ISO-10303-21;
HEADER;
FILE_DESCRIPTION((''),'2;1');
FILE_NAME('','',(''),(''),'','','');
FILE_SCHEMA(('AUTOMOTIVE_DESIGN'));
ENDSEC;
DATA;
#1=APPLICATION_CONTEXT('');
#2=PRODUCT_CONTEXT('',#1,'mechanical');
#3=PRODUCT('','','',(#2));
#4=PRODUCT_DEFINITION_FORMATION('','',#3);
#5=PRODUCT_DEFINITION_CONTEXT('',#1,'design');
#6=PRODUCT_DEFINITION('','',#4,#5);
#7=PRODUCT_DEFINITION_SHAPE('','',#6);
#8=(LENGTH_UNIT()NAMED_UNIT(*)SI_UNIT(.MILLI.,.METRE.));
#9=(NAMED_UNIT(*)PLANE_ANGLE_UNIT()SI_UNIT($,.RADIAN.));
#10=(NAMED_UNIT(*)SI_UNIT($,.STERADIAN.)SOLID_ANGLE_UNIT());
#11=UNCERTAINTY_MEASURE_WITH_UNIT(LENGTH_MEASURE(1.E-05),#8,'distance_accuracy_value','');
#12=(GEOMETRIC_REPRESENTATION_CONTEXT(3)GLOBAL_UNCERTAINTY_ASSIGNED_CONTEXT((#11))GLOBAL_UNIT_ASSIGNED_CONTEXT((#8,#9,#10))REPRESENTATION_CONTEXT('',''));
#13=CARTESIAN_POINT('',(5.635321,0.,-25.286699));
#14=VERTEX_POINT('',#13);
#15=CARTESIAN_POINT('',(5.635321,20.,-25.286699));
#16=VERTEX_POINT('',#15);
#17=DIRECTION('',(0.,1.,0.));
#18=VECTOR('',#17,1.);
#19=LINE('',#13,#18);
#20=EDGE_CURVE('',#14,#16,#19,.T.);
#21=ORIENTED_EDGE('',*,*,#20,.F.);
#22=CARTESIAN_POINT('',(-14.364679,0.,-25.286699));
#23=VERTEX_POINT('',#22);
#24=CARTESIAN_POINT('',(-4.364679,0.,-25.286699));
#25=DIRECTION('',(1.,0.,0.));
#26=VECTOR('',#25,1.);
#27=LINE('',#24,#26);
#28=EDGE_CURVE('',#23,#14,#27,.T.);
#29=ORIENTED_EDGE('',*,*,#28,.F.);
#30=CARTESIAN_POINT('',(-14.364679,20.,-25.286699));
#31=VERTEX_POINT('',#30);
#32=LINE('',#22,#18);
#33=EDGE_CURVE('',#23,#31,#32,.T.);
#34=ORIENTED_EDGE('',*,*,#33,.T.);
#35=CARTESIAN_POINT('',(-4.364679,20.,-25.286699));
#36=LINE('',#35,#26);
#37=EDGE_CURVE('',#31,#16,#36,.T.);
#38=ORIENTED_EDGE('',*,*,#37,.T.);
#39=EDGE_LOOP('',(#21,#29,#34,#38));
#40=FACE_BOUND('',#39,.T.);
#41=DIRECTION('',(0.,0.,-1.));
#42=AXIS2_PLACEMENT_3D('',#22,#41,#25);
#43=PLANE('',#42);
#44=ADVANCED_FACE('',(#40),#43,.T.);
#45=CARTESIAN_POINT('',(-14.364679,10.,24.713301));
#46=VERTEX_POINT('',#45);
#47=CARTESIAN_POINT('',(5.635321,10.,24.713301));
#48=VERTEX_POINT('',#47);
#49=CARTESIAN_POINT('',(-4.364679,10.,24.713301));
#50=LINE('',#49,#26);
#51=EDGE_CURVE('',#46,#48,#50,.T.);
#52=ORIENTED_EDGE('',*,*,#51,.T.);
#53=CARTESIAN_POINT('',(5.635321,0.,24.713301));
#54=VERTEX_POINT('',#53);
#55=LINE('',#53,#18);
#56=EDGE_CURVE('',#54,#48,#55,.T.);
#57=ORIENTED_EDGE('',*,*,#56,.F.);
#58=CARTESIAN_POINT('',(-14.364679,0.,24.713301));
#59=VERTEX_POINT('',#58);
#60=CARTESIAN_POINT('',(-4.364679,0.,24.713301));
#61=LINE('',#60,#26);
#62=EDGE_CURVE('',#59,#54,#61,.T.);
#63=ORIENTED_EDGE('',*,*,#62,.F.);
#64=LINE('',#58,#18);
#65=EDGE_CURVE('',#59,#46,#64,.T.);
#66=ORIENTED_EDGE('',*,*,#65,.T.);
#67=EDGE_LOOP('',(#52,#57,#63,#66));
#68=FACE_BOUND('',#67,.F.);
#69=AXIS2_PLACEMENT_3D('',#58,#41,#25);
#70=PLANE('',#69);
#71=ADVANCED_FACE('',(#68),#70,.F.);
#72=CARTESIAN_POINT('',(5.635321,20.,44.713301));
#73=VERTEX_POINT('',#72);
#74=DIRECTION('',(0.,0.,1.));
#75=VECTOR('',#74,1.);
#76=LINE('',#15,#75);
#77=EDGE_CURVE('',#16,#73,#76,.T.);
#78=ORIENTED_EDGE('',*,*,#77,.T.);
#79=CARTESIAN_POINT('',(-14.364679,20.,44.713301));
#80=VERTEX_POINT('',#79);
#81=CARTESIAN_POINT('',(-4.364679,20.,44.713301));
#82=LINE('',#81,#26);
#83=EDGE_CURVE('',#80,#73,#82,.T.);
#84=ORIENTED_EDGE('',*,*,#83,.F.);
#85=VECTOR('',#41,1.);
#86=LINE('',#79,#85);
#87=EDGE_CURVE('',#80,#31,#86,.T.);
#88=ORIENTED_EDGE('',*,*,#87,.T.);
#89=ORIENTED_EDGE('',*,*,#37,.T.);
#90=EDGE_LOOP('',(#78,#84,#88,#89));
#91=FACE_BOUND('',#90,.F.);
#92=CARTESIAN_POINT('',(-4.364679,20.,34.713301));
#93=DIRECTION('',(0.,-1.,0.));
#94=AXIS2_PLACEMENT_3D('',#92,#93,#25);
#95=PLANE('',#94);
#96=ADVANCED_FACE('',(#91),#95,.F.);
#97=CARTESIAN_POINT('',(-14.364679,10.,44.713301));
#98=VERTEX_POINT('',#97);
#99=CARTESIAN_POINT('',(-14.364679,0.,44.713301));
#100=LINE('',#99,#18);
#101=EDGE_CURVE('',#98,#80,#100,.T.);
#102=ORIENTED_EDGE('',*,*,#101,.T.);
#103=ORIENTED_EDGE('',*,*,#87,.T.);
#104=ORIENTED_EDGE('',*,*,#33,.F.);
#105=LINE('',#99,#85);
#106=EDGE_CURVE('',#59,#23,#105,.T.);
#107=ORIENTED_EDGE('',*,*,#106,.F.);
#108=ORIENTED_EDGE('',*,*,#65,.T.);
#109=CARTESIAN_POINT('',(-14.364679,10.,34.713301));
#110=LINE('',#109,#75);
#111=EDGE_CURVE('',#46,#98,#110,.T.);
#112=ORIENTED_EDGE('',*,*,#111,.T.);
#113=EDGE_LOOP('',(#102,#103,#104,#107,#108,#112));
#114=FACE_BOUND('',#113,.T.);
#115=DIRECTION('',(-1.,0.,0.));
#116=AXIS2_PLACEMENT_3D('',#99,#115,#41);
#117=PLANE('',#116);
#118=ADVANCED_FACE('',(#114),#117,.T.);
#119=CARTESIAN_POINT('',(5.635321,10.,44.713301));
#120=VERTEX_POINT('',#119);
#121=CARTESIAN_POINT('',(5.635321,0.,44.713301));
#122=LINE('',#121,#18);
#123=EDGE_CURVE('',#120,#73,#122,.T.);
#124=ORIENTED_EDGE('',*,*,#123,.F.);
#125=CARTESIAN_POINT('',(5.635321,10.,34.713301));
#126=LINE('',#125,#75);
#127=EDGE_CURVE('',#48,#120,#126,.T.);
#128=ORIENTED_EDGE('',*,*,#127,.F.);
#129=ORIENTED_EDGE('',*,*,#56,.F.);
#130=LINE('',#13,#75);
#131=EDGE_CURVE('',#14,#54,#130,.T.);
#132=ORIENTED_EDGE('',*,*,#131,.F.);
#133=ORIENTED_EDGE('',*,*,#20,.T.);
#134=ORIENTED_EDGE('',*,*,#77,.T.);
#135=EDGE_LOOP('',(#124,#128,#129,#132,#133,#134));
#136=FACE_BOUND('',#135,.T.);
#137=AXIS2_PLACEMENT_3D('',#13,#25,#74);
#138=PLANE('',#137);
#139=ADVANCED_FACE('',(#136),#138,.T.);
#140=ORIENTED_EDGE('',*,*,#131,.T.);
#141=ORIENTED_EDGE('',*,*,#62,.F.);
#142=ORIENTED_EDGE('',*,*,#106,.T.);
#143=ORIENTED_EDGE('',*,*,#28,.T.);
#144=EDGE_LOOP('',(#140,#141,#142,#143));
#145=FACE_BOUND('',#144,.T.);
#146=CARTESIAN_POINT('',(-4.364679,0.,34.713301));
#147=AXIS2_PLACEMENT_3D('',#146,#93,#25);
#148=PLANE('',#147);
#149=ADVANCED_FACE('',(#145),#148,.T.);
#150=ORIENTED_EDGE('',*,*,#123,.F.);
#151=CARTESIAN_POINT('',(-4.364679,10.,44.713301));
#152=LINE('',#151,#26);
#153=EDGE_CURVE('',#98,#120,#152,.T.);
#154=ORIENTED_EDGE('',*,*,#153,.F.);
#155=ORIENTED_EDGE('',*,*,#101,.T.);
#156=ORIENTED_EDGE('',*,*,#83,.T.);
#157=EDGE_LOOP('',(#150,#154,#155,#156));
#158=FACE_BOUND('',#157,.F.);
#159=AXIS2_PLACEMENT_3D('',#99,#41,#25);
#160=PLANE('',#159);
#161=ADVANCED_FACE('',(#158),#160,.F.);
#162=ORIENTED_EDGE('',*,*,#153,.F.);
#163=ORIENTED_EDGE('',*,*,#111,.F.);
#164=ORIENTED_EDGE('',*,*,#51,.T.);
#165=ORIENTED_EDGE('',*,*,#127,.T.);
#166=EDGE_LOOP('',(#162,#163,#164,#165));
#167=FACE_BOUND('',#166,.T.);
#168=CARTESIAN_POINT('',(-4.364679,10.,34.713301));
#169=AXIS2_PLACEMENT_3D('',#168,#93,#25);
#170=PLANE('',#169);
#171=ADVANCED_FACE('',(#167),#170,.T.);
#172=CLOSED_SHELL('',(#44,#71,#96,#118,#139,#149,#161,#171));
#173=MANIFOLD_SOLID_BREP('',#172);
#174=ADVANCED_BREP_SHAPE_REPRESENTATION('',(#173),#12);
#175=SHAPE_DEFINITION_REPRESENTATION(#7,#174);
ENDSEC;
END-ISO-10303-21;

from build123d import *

# Parameters (mm, degrees)
F0_W     = 20
F0_H     = 20
F0_H_2   = 50
F1_DEPTH = 20
F2_DEPTH = 10


with BuildPart() as f1:
    # F0 (on Front) → F1 (new body)
    with BuildSketch(Plane.XZ):
        with Locations((-4.364679, 34.713301)):
            Rectangle(F0_W, F0_H)
        with Locations((-4.364679, -0.286699)):
            Rectangle(F0_W, F0_H_2)
    extrude(amount=-F1_DEPTH)

    # F0 (on Front) → F2 (cut)
    with BuildSketch(Plane.XZ):
        with Locations((-4.364679, 34.713301)):
            Rectangle(F0_W, F0_H)
    extrude(amount=-F2_DEPTH, mode=Mode.SUBTRACT)


solid = f1.part
